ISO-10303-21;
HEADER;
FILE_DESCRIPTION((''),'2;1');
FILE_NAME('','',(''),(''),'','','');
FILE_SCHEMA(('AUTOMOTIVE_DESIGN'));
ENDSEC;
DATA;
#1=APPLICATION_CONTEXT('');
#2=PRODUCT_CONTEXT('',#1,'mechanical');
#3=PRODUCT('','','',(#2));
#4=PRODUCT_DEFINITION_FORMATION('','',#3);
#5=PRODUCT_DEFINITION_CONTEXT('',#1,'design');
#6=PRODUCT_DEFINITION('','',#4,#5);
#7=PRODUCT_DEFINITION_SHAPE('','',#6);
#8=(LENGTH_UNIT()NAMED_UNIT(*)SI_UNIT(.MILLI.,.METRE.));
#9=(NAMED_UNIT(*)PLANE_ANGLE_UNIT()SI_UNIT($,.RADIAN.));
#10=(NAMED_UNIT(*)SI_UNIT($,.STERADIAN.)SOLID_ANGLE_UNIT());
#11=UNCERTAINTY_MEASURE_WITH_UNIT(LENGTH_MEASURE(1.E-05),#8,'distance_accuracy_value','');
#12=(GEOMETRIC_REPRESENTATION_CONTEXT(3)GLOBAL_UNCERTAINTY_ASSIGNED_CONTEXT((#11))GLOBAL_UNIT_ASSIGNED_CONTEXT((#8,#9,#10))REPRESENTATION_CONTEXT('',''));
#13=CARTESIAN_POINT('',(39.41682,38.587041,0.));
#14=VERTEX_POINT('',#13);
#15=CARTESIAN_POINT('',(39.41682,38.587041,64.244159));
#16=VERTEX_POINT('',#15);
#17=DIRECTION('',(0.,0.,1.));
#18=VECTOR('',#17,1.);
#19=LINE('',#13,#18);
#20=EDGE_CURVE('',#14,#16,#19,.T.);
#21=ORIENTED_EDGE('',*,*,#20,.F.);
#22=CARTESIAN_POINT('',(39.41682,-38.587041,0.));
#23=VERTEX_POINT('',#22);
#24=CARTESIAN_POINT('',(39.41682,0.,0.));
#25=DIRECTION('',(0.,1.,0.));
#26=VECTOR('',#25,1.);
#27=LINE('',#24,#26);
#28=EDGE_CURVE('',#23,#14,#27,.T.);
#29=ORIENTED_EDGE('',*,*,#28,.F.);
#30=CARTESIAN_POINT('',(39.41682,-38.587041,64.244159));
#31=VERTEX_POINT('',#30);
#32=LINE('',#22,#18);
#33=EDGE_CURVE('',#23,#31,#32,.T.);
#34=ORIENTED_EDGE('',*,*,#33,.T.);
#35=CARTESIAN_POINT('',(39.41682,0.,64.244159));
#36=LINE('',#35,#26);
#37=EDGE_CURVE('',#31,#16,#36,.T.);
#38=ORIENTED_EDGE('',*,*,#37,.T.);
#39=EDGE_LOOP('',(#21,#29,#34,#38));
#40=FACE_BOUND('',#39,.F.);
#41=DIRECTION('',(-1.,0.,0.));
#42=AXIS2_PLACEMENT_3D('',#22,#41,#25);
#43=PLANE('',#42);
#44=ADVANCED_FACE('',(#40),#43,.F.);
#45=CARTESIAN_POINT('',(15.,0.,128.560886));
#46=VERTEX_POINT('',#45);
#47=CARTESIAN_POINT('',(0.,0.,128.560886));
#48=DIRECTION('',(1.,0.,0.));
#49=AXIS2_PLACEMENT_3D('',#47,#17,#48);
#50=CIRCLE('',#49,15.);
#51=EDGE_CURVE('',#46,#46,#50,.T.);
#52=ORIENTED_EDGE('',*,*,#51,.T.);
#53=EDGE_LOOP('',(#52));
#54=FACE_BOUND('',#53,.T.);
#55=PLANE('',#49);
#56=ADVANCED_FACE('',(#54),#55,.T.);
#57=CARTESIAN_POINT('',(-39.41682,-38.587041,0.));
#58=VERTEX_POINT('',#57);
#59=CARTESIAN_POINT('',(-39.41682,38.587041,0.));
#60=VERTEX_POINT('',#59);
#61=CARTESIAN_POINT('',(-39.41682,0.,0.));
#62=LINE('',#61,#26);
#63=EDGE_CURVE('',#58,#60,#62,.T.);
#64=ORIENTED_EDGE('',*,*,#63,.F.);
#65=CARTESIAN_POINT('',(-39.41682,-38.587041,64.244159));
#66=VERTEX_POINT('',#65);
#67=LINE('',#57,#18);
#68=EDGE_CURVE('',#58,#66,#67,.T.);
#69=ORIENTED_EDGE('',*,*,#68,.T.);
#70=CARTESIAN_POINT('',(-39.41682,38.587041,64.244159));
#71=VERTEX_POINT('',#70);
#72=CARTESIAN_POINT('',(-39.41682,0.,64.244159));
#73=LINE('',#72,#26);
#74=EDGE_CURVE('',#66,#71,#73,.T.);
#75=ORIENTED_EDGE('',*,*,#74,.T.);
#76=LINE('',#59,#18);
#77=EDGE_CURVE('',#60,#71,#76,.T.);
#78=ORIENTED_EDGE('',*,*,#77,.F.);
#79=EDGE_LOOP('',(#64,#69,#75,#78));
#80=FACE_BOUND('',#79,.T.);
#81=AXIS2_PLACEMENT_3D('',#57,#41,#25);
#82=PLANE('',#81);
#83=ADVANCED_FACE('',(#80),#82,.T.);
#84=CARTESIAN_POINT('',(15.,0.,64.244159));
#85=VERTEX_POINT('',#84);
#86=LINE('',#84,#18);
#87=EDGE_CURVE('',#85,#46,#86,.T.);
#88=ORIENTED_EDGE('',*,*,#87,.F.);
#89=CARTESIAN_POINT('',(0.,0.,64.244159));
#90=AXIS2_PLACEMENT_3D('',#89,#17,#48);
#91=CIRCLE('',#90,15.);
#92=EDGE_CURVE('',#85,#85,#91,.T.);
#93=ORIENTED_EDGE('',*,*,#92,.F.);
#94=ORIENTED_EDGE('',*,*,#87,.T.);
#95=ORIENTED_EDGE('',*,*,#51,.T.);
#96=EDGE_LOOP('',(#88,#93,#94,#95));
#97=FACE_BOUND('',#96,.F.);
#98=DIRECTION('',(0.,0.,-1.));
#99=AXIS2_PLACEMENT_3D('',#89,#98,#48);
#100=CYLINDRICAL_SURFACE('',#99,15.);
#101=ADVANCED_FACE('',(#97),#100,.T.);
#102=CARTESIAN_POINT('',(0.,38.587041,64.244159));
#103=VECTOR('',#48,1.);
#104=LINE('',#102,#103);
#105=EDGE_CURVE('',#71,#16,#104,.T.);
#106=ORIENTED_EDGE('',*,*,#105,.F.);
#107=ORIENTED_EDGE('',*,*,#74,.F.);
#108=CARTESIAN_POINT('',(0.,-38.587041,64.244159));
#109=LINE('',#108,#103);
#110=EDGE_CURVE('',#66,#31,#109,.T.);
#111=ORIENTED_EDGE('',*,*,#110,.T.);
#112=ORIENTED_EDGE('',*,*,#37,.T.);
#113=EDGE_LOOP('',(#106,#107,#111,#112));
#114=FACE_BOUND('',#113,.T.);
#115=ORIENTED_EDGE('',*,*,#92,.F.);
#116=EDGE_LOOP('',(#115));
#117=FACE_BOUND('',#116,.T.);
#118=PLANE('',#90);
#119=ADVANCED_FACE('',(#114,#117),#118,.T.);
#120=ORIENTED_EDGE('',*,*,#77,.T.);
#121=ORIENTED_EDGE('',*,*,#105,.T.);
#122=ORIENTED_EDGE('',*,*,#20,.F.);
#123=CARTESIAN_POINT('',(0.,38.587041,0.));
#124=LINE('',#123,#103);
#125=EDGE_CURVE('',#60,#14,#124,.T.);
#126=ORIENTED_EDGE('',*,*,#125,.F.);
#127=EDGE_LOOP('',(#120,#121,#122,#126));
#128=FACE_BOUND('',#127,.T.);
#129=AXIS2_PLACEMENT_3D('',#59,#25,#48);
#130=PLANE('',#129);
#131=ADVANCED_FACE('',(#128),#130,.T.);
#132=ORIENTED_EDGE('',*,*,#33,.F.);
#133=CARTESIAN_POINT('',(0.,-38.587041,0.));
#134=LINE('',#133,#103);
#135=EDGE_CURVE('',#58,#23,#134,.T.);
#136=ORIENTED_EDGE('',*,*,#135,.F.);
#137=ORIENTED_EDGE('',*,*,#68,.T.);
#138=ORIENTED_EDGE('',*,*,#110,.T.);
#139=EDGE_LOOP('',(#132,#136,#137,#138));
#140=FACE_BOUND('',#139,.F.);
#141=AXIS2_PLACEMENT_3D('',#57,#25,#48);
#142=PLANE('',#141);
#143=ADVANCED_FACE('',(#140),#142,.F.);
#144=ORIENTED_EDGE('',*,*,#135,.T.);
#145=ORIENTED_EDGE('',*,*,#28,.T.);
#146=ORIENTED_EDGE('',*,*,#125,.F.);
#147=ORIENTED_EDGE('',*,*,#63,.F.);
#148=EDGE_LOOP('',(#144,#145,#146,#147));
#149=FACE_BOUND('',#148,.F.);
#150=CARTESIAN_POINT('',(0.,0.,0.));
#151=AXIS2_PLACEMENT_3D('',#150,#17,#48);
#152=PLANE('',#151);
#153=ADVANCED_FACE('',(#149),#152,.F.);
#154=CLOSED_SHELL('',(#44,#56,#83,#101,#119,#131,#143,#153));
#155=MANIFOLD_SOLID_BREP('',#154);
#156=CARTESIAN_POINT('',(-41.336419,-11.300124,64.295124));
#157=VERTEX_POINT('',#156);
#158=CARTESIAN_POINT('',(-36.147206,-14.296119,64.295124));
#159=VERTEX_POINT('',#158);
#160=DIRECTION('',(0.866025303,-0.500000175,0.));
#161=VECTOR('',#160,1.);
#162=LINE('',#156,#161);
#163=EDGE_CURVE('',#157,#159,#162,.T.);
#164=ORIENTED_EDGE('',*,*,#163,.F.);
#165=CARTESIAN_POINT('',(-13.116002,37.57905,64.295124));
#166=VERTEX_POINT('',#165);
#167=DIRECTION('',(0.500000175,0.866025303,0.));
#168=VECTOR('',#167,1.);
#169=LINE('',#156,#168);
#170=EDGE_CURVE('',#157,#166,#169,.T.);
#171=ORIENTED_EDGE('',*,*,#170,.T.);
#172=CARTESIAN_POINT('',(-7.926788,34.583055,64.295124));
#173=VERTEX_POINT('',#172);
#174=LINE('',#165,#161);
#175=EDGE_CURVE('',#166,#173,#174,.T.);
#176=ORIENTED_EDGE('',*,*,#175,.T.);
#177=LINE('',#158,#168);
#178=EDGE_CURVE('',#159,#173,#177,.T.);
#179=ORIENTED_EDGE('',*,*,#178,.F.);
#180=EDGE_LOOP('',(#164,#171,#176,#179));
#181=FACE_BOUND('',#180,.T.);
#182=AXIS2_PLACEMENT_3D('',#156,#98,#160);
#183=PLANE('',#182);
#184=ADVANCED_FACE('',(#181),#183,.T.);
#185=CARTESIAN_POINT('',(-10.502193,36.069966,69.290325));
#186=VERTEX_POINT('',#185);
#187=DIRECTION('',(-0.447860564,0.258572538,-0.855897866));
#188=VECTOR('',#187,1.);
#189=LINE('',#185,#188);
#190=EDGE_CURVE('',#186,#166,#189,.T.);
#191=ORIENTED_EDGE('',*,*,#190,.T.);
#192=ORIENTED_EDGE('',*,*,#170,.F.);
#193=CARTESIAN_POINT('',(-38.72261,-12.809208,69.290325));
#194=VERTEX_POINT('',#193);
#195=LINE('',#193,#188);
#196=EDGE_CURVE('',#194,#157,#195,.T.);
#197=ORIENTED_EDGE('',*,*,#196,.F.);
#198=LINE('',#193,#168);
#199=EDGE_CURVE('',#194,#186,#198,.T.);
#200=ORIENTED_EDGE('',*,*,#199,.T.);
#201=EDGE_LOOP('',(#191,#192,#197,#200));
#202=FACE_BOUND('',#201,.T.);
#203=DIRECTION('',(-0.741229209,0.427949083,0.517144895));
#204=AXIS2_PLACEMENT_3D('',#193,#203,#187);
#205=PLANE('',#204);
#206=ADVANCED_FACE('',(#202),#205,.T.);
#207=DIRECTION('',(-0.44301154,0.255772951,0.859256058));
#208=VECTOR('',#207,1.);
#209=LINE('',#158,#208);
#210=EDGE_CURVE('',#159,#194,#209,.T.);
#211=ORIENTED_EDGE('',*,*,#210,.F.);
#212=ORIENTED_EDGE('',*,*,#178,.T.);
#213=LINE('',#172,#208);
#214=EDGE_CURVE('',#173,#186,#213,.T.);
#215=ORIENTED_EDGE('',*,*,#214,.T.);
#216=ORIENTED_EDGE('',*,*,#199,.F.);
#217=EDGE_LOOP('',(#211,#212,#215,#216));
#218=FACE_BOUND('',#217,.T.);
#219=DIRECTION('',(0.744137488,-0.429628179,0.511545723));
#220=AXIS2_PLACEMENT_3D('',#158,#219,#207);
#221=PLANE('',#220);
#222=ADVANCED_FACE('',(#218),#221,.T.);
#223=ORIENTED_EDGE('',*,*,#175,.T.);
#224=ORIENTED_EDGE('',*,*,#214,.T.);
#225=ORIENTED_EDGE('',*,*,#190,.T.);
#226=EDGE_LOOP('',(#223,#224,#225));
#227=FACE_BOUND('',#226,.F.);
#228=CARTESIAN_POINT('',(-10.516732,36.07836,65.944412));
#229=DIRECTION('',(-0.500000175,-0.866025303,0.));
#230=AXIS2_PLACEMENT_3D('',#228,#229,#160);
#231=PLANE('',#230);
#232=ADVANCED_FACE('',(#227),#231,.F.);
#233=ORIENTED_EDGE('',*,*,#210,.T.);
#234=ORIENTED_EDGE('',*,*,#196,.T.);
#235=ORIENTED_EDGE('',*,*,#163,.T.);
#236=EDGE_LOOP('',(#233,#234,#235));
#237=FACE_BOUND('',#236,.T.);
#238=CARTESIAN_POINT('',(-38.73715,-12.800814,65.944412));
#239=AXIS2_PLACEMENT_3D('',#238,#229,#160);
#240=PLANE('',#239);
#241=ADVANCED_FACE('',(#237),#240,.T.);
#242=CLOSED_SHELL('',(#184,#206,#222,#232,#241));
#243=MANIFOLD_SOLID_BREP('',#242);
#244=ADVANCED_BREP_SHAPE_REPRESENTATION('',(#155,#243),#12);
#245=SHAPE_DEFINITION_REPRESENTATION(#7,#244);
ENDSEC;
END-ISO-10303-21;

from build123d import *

# Parameters (mm, degrees)
F0_W     = 78.83364
F0_H     = 77.174082
F1_DEPTH = 64.244159
F2_R     = 15
F3_DEPTH = 64.316727
F6_DEPTH = 56.440815


with BuildPart() as f1:
    # F0 (on Top) → F1 (new body)
    with BuildSketch(Plane.XY):
        Rectangle(F0_W, F0_H)
    extrude(amount=F1_DEPTH)

    # F2 (on face) → F3 (join)
    with BuildSketch(Plane.XY.offset(64.244159)):
        Circle(F2_R)
    extrude(amount=F3_DEPTH)


with BuildPart() as f6:
    # F5 (on face) → F6 (new body)
    with BuildSketch(Plane(origin=(-15.227205, -26.374293, 0), x_dir=(0.866025, -0.5, 0), z_dir=(-0.5, -0.866025, 0))):
        Polygon((-27.13016, 69.290325), (-30.148327, 64.295124), (-24.156339, 64.295124), align=None)
    extrude(amount=-F6_DEPTH)


solid = Compound([f1.part, f6.part])
